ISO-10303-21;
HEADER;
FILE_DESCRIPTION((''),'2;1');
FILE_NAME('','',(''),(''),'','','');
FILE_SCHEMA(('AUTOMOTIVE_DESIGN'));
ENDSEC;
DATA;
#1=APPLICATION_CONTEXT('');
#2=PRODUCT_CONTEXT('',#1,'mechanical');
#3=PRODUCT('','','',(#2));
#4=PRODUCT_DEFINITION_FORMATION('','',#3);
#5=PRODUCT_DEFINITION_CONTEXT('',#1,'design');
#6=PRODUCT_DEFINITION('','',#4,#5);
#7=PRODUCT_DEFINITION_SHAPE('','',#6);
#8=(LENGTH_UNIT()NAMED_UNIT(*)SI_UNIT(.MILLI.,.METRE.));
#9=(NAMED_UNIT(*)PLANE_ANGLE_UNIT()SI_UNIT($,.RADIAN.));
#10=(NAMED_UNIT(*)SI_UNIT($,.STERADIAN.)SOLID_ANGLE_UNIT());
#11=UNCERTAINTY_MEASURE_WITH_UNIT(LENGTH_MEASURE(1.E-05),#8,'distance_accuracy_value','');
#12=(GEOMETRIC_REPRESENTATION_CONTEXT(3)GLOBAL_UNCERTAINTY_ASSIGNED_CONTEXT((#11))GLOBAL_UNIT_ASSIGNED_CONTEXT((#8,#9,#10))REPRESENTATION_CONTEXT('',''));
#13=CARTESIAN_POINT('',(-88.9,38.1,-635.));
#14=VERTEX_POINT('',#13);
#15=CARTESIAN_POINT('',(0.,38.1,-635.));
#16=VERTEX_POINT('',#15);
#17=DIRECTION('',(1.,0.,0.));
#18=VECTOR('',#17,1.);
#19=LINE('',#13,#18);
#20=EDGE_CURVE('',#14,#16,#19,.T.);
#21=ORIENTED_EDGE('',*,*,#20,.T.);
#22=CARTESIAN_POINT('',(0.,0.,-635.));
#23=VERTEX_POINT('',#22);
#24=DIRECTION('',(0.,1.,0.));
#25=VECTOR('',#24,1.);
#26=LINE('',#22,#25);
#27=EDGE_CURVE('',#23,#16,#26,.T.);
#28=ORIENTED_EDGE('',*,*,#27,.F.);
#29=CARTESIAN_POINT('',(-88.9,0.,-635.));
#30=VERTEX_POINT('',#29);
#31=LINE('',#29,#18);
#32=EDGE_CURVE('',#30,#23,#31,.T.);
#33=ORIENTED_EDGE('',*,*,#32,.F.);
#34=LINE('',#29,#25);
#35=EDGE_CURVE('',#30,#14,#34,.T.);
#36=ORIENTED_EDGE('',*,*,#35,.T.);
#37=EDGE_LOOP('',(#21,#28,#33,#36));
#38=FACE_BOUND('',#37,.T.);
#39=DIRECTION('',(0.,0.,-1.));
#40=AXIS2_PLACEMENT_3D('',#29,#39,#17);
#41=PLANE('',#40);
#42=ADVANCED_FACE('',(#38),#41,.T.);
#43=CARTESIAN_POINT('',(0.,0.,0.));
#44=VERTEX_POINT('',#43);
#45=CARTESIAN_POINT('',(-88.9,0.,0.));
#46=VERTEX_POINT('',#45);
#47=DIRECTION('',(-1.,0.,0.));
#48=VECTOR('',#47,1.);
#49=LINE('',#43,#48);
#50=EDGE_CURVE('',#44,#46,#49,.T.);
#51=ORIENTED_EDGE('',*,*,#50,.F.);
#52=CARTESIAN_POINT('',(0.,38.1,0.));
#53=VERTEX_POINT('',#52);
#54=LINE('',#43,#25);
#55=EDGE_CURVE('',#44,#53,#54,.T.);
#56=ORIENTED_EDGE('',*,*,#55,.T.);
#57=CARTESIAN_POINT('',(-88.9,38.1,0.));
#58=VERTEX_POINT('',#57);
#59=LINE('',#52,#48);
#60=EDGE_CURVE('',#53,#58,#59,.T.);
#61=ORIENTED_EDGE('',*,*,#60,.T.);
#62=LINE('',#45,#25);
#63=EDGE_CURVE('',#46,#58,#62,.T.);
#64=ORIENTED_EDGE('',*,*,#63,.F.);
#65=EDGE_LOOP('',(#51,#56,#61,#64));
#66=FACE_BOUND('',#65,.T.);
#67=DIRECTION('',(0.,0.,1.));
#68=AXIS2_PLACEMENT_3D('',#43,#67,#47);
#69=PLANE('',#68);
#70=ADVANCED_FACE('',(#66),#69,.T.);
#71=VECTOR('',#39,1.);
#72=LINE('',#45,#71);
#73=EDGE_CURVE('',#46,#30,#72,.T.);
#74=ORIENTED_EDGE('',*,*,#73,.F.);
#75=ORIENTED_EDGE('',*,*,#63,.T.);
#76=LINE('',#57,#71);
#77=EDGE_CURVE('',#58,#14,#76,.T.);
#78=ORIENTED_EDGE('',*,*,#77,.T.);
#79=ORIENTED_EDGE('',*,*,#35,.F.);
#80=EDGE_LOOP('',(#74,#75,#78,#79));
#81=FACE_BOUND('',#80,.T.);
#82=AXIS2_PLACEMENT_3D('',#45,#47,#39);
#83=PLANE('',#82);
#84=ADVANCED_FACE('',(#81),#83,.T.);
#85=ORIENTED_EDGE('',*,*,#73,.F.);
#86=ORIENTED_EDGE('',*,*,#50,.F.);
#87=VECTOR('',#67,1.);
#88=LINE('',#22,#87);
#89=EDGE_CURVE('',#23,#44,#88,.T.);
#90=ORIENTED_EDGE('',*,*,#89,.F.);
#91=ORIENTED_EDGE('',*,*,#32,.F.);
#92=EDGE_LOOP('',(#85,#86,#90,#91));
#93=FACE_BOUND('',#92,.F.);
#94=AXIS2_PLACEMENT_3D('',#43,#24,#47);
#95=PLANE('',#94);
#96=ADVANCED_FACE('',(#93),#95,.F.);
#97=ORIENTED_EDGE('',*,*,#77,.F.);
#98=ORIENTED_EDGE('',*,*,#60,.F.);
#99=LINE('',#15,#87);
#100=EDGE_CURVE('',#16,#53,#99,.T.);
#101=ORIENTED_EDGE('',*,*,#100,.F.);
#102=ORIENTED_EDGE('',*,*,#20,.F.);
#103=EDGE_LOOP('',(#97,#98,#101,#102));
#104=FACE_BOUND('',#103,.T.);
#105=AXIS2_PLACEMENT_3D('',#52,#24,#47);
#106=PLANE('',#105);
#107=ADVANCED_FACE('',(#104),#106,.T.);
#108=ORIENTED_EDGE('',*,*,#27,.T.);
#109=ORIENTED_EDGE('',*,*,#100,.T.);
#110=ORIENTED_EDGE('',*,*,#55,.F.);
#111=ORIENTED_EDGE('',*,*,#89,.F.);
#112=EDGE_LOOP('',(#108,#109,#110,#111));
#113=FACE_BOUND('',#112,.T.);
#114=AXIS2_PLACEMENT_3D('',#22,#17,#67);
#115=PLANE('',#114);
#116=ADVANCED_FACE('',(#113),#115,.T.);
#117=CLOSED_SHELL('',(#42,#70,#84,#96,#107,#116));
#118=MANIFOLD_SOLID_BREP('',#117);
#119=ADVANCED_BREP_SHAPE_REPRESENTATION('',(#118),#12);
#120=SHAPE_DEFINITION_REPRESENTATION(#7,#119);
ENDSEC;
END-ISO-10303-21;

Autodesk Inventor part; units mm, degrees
ref_plane "YZ Plane" through (0, 0, 0) normal (1, 0, 0) x (0, 1, 0)
ref_plane "XZ Plane" through (0, 0, 0) normal (0, 1, 0) x (-1, 0, 0)
ref_plane "XY Plane" through (0, 0, 0) normal (0, 0, 1) x (1, 0, 0)
sketch "Sketch1" plane through (0, 0, 0) normal (0, 1, 0) x (-1, 0, 0)
  line L0 (0, 0) -> (88.9, 0)
  line L1 (88.9, 0) -> (88.9, -635)
  line L2 (88.9, -635) -> (0, -635)
  line L3 (0, -635) -> (0, 0)
  dimension "d1" = 88.9
  dimension "d4" = 635
extrude "Extrusion1" add sketch "Sketch1" along normal blind 38.1
properties part number "Plate_With_Length_25_Inches" material "Wood (Birch)"
